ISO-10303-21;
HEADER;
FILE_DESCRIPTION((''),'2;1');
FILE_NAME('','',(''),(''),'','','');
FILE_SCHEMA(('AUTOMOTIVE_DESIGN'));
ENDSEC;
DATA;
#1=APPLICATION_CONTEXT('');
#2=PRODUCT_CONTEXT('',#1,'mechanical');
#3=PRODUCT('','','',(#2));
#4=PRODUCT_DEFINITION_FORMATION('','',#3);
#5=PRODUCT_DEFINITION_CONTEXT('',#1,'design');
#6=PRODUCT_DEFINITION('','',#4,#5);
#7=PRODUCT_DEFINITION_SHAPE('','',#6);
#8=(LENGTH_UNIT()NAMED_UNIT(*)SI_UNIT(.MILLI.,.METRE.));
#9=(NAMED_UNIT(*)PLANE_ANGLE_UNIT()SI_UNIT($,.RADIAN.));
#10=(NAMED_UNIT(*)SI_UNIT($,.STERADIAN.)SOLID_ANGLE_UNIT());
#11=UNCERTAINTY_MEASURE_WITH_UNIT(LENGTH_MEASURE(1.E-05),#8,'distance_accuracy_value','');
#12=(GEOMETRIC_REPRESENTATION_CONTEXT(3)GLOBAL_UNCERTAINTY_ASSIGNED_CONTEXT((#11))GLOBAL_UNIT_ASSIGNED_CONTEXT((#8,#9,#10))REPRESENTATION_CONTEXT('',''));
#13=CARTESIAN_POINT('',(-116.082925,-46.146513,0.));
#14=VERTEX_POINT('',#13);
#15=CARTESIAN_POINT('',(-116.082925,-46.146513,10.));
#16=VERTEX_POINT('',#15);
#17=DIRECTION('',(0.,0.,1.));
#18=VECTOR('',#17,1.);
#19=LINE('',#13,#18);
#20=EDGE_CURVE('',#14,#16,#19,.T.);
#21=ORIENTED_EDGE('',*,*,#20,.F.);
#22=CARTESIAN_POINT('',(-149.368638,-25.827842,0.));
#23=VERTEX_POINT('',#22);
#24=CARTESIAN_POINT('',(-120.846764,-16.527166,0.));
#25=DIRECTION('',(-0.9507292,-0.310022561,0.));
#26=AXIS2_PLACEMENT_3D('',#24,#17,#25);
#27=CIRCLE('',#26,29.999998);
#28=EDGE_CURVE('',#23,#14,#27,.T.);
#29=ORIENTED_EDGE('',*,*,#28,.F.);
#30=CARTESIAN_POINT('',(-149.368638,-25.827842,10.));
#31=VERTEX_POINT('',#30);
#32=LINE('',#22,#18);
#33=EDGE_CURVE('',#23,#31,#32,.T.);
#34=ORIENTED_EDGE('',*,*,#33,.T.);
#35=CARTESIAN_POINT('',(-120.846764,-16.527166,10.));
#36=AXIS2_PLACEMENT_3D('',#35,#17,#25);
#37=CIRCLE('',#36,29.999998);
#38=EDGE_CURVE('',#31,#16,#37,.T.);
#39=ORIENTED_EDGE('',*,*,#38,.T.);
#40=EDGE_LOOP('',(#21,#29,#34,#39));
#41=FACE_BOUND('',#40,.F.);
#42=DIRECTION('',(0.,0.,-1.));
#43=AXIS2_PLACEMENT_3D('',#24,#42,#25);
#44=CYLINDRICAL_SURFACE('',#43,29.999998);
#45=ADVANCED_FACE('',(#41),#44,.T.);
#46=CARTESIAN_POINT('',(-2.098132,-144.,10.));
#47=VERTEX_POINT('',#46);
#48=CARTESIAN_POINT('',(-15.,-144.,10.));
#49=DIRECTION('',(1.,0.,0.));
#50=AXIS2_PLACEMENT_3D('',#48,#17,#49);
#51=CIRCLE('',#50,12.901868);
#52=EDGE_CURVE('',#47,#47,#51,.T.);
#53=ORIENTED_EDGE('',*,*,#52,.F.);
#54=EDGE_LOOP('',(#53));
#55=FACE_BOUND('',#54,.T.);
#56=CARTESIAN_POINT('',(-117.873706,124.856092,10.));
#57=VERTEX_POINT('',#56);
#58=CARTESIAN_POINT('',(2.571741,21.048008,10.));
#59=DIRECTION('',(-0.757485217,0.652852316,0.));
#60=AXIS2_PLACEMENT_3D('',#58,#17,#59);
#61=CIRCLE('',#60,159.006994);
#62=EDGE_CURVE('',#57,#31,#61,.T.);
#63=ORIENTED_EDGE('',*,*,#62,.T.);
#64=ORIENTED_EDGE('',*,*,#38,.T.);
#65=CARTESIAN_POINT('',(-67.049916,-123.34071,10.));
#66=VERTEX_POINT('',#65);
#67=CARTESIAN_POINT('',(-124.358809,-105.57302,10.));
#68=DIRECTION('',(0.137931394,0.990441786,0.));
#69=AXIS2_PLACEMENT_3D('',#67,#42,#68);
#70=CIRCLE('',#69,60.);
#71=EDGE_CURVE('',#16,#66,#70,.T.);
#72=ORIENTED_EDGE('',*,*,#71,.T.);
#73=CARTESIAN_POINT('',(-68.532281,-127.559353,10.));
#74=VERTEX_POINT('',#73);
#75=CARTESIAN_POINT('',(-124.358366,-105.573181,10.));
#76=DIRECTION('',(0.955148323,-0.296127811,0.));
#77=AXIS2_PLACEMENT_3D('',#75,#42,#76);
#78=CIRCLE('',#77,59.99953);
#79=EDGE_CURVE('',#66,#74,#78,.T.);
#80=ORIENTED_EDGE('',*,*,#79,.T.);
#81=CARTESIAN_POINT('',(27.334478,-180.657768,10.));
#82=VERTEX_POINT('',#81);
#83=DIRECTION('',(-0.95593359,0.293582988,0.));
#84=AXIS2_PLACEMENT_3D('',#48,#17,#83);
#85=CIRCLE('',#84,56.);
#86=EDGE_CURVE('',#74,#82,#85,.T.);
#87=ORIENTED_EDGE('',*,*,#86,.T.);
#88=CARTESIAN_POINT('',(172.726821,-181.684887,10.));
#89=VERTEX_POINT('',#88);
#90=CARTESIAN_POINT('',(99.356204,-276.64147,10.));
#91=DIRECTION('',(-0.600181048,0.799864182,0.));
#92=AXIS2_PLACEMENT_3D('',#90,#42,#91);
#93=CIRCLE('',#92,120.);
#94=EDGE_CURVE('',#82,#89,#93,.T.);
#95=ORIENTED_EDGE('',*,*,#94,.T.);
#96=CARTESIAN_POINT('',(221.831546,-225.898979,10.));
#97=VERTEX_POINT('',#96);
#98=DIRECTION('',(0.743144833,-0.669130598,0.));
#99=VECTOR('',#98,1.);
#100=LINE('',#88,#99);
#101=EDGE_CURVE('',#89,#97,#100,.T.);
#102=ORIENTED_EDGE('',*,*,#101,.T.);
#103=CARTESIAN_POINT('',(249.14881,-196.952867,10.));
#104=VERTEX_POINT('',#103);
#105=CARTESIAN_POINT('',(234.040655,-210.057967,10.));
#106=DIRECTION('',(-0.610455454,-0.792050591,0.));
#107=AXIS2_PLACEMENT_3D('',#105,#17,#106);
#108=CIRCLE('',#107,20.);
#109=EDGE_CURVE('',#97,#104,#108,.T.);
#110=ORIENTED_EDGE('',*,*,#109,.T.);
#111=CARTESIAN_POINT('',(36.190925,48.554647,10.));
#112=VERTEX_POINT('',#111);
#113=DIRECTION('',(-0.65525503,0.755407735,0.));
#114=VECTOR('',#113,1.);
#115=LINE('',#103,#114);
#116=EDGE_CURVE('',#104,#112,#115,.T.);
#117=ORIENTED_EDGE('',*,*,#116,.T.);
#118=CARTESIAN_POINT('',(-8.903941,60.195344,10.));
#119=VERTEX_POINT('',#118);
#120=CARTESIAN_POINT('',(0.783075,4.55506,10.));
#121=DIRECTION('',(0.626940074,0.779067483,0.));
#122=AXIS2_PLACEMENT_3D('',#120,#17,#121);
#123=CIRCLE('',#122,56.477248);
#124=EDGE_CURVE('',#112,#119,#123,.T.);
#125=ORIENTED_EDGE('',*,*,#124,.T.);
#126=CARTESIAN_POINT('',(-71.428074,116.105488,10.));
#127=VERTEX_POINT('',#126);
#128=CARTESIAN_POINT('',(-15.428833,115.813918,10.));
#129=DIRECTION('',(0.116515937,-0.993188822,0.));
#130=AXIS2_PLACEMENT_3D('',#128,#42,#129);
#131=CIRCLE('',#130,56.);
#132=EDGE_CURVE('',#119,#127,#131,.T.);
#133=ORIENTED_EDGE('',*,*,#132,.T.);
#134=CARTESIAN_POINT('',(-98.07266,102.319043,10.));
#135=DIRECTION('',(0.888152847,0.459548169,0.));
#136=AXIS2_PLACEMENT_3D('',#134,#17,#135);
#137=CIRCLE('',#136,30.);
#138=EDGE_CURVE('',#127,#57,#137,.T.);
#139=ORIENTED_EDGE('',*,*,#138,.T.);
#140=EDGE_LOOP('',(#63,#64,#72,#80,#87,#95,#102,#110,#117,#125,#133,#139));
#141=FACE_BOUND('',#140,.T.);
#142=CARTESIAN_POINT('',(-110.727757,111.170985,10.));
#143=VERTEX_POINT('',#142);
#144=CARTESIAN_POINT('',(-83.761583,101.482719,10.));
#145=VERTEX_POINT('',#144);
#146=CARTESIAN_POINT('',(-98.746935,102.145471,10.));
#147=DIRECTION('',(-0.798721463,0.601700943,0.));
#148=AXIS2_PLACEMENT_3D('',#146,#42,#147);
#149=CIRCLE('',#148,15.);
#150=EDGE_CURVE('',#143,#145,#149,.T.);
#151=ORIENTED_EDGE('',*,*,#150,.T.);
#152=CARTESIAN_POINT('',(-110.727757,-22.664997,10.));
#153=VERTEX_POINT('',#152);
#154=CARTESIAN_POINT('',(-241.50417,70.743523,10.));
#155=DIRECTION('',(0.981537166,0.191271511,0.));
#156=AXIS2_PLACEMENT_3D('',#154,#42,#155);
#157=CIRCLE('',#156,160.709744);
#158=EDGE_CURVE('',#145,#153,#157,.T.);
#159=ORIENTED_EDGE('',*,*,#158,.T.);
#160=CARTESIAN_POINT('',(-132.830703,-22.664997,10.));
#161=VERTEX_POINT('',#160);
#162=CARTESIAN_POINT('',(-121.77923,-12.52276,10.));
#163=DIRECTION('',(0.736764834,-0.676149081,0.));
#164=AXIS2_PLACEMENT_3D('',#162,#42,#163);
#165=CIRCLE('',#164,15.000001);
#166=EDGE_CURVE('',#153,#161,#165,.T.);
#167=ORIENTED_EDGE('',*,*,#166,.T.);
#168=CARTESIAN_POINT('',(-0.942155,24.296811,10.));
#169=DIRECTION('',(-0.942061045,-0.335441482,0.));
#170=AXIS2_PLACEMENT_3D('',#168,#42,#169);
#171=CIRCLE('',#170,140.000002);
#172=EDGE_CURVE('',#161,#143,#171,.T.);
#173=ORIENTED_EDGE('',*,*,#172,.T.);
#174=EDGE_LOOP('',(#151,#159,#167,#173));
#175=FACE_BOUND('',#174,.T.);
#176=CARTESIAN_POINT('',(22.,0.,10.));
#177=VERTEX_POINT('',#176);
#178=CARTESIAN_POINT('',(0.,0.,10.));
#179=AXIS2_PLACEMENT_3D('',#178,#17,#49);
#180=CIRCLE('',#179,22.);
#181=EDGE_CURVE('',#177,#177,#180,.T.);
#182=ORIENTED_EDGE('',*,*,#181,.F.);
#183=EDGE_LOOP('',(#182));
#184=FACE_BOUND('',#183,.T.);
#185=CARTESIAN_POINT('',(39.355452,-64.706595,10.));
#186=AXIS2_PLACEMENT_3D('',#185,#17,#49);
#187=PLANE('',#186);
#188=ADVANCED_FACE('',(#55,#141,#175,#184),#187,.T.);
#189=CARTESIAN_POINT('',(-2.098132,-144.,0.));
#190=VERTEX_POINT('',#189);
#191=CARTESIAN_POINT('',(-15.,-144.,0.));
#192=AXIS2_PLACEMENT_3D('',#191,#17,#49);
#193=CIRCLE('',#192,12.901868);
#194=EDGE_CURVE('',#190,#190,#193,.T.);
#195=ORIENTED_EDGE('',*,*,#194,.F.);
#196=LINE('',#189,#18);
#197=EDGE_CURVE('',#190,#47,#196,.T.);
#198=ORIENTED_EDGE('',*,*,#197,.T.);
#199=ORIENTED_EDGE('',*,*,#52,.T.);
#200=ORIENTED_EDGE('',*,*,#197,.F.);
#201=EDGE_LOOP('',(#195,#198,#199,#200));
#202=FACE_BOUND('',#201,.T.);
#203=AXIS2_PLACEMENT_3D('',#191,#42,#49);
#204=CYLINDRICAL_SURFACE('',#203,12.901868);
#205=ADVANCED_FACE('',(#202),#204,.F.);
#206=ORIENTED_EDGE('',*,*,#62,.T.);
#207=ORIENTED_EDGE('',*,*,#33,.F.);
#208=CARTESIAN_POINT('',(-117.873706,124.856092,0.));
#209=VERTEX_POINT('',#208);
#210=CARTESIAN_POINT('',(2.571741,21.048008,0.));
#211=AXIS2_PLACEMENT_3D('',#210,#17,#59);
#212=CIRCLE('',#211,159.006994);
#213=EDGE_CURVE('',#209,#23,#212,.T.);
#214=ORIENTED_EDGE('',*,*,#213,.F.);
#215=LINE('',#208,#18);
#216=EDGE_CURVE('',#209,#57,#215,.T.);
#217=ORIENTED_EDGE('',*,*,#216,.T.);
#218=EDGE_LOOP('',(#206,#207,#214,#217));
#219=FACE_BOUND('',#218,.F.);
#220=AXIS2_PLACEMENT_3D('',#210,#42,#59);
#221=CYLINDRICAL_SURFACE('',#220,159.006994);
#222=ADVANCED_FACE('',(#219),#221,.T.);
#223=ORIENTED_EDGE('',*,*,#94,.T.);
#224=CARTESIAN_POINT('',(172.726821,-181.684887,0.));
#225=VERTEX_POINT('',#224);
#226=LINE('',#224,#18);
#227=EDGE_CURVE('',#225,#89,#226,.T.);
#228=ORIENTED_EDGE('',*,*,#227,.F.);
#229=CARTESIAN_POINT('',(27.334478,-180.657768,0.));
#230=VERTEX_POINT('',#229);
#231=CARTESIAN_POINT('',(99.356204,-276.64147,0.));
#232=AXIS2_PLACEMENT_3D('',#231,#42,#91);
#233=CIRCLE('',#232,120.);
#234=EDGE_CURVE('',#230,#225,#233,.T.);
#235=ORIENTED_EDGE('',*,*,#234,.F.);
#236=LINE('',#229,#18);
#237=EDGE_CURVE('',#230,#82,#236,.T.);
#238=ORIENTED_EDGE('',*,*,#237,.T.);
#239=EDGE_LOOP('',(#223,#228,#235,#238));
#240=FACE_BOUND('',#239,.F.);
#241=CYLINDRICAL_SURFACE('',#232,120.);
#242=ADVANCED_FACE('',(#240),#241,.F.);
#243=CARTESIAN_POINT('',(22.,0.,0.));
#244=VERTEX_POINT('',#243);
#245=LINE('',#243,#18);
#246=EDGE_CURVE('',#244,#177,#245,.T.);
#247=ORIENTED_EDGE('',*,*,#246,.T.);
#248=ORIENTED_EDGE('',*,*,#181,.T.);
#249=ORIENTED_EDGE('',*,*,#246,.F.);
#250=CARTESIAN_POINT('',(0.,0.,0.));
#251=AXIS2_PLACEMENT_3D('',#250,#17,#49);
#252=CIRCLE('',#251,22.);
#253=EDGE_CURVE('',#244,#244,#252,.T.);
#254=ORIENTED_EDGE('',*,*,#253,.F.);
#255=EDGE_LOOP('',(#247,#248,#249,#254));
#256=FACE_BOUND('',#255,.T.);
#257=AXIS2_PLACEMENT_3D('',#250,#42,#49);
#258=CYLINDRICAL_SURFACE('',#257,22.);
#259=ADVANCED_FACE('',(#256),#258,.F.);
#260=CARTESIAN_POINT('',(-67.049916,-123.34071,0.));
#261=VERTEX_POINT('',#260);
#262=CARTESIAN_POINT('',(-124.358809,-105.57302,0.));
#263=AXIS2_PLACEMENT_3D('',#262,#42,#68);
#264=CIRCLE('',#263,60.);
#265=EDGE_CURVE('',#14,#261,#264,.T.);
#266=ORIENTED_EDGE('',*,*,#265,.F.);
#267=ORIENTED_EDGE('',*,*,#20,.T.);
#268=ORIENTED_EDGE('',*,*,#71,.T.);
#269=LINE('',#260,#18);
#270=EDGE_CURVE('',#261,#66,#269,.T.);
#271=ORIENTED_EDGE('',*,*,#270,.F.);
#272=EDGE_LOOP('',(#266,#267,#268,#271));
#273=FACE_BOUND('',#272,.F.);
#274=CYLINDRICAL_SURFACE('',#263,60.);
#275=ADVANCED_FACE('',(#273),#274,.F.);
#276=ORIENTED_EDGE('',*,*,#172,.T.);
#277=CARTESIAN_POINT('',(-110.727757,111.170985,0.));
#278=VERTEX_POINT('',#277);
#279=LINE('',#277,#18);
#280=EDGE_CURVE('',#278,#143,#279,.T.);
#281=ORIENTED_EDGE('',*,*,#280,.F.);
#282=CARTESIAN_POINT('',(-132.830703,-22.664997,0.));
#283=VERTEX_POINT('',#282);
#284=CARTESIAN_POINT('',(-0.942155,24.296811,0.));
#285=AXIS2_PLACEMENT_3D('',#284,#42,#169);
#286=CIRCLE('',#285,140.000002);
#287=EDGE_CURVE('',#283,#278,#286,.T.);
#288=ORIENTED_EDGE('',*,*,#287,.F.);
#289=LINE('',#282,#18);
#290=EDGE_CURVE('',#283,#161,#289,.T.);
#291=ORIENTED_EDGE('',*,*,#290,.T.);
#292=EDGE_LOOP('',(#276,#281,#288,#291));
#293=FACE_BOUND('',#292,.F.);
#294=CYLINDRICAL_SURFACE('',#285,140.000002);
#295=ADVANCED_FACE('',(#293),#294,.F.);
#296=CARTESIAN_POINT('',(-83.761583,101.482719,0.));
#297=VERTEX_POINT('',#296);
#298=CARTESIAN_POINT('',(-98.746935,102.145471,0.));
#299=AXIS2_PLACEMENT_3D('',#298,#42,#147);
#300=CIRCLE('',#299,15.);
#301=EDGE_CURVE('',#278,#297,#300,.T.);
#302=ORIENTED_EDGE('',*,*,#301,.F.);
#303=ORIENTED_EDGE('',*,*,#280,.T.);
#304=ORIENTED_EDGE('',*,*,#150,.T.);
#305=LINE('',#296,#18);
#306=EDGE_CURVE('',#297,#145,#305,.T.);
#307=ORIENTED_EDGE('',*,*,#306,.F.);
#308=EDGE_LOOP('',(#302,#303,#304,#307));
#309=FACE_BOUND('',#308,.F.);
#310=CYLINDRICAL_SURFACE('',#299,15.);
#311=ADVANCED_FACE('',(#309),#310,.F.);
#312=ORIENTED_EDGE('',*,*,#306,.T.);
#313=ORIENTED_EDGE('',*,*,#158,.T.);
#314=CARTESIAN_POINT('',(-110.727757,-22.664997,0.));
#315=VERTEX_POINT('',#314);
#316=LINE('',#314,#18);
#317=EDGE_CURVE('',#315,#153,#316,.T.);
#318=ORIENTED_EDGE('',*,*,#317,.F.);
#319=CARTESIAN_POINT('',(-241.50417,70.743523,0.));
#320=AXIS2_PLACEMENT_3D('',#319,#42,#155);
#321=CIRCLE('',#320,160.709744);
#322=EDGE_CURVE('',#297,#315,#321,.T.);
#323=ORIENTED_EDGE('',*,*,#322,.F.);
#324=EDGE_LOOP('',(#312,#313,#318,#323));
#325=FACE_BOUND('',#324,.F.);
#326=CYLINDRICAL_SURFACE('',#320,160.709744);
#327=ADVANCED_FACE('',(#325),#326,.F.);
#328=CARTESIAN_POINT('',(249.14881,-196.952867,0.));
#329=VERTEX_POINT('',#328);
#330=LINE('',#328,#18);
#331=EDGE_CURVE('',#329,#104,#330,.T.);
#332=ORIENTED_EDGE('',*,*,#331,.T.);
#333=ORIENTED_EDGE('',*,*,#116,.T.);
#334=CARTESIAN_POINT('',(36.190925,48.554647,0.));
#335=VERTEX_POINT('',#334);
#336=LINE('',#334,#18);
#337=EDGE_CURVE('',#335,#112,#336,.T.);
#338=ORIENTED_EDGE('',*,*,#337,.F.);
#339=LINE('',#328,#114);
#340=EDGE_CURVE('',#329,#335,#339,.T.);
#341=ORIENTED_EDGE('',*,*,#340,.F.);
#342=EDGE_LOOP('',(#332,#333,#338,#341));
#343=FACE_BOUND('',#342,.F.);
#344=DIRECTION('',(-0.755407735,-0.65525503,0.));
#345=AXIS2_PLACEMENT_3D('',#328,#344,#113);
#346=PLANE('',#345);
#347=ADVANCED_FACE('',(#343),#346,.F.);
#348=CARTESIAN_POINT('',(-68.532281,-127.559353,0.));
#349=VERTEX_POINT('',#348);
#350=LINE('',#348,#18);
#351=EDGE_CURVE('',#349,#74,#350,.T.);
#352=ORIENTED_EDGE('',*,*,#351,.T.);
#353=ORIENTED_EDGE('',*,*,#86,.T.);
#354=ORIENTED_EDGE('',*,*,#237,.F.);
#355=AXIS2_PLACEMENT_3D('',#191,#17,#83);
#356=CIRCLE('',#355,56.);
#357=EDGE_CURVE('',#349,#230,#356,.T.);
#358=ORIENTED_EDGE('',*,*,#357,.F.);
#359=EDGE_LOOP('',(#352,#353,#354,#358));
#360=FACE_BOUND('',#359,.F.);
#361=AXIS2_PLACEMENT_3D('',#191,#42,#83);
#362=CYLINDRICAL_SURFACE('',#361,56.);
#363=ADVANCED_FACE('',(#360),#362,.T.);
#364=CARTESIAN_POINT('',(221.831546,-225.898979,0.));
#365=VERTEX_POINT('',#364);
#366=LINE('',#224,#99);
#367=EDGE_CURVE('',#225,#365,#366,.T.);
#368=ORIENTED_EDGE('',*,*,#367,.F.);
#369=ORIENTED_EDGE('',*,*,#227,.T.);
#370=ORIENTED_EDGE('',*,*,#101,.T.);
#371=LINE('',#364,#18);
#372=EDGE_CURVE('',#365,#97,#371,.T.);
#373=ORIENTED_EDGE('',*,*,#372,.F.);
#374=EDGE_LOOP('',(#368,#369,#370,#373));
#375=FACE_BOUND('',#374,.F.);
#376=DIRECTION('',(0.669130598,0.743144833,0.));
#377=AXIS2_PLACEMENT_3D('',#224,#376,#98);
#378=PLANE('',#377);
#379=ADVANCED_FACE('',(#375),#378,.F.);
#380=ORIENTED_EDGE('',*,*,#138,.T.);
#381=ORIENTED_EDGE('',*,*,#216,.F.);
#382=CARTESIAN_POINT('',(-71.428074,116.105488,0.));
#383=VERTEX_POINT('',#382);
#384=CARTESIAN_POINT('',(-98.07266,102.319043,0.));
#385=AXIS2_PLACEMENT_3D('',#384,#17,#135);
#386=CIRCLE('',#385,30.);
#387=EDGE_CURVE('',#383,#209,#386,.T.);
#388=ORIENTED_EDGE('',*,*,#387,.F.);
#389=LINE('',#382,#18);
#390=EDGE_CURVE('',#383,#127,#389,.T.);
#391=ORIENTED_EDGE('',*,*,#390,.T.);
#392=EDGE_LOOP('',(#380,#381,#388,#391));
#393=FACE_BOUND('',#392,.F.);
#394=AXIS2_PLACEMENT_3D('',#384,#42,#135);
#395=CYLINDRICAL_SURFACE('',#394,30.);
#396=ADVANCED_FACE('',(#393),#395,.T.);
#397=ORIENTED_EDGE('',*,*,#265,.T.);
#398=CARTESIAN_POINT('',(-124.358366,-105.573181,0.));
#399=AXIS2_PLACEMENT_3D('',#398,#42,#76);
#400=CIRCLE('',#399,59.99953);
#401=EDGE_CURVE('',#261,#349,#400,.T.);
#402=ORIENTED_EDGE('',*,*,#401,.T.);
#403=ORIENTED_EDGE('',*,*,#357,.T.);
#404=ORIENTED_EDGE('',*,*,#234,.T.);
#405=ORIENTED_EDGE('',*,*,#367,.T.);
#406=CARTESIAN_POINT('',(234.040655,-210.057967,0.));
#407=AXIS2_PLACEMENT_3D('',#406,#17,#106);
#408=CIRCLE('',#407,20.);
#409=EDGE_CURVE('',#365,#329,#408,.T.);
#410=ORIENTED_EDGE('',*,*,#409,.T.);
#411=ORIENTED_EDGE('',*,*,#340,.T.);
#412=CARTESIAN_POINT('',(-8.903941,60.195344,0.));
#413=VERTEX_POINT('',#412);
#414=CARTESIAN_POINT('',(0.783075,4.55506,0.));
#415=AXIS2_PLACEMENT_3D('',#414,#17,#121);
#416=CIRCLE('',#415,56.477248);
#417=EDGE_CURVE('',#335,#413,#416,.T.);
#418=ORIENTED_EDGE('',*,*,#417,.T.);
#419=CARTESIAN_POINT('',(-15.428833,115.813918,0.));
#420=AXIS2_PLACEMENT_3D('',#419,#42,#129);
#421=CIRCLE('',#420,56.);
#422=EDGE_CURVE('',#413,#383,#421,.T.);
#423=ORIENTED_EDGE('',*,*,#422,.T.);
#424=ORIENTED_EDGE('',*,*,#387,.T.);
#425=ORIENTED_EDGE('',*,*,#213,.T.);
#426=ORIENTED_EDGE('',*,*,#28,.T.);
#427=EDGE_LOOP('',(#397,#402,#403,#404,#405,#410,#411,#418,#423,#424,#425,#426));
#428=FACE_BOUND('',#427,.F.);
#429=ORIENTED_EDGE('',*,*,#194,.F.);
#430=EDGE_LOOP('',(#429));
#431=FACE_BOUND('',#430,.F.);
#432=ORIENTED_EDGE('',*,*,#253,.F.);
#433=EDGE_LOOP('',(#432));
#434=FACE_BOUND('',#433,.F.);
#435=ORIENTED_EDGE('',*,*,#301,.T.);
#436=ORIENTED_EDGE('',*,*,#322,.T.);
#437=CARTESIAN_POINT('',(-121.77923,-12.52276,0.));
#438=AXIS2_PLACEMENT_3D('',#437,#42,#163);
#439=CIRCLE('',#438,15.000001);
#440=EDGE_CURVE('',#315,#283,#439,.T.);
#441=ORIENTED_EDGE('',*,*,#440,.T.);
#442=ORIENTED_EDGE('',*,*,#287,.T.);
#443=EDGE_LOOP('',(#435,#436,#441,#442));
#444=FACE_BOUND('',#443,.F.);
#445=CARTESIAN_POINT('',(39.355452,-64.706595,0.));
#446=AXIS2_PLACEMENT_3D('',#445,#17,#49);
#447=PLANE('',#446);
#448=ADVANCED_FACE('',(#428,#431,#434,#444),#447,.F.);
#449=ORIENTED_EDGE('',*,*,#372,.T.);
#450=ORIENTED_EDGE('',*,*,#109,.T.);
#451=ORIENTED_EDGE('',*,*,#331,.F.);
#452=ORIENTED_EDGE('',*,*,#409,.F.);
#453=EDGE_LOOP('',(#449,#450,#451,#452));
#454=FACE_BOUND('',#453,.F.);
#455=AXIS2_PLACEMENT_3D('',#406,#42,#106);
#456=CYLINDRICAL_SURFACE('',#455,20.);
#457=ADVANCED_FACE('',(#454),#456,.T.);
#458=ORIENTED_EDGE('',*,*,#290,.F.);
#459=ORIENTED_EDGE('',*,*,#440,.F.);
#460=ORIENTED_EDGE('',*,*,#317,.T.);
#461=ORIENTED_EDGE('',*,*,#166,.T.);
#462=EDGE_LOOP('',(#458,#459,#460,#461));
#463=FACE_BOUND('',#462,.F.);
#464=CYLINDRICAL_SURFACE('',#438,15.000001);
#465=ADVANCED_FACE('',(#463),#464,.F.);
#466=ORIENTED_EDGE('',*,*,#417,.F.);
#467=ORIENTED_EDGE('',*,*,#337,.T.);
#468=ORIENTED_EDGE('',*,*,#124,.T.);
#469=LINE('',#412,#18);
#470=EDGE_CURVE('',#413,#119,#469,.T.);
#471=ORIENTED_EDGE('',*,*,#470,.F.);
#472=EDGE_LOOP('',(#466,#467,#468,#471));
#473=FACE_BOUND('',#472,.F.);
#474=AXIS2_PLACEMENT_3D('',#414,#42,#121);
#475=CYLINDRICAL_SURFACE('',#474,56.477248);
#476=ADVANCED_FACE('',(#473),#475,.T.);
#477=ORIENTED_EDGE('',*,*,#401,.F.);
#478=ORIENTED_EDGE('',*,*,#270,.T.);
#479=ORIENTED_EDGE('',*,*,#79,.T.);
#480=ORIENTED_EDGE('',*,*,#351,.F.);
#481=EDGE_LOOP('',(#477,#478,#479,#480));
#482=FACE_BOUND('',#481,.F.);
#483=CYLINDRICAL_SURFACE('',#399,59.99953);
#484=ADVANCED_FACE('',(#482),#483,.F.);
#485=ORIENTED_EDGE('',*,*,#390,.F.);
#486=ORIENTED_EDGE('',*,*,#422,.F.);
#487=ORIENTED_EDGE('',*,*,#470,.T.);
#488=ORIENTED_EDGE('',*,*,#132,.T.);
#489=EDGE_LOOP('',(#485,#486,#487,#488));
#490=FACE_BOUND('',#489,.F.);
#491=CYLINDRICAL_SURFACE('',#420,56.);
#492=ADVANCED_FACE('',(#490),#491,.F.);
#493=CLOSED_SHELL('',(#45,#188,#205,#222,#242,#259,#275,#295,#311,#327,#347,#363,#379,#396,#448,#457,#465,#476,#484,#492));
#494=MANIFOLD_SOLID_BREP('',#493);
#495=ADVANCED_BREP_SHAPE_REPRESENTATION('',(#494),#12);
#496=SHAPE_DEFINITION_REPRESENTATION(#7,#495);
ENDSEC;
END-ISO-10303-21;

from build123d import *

# Parameters (mm, degrees)
F0_R     = 42
F0_R_2   = 22
F0_R_3   = 12.901868
F1_DEPTH = 10


with BuildPart() as f1:
    # F0 (on Top) → F1 (new body)
    with BuildSketch(Plane.XY):
        with BuildLine():
            ThreePointArc((41, -144), (37.47252, -163.561048), (27.334478, -180.657768))
            ThreePointArc((27.334478, -180.657768), (100.203919, -156.644464), (172.726821, -181.684887))
            Line((172.726821, -181.684887), (140.923761, -153.049283))
            ThreePointArc((140.923761, -153.049283), (140.263921, -125.028677), (168.268095, -123.864214))
            Line((168.268095, -123.864214), (249.14881, -196.952867))
            Line((249.14881, -196.952867), (36.190925, 48.554647))
            ThreePointArc((36.190925, 48.554647), (14.899264, 59.239726), (-8.903941, 60.195344))
            ThreePointArc((-8.903941, 60.195344), (-52.757292, 74.069623), (-71.428074, 116.105488))
            ThreePointArc((-71.428074, 116.105488), (-92.518222, 131.800363), (-117.873706, 124.856092))
            ThreePointArc((-117.873706, 124.856092), (-153.071831, 53.57957), (-149.368638, -25.827842))
            ThreePointArc((-149.368638, -25.827842), (-136.477604, -42.133351), (-116.082925, -46.146513))
            ThreePointArc((-116.082925, -46.146513), (-73.712222, -73.402797), (-67.049916, -123.34071))
            ThreePointArc((-67.049916, -123.34071), (-4.483234, -88.996385), (41, -144))
        make_face()
        Circle(F0_R, mode=Mode.SUBTRACT)
        with BuildLine():
            ThreePointArc((-132.830703, -22.664997), (-139.071139, 47.108744), (-110.727757, 111.170985))
            ThreePointArc((-110.727757, 111.170985), (-93.675207, 116.262042), (-83.761583, 101.482719))
            ThreePointArc((-83.761583, 101.482719), (-84.456511, 36.63114), (-110.727757, -22.664997))
            ThreePointArc((-110.727757, -22.664997), (-121.77923, -27.522761), (-132.830703, -22.664997))
        make_face(mode=Mode.SUBTRACT)
        Circle(F0_R)
        Circle(F0_R_2, mode=Mode.SUBTRACT)
        with BuildLine():
            ThreePointArc((-67.049916, -123.34071), (-67.751785, -125.463845), (-68.532281, -127.559353))
            ThreePointArc((-68.532281, -127.559353), (-42.133155, -192.987671), (27.334478, -180.657768))
            ThreePointArc((27.334478, -180.657768), (37.47252, -163.561048), (41, -144))
            ThreePointArc((41, -144), (-4.483234, -88.996385), (-67.049916, -123.34071))
        make_face()
        with Locations((-15, -144)):
            Circle(F0_R_3, mode=Mode.SUBTRACT)
        with BuildLine():
            Line((140.923761, -153.049283), (172.726821, -181.684887))
            Line((172.726821, -181.684887), (221.831546, -225.898979))
            ThreePointArc((221.831546, -225.898979), (248.586117, -223.784931), (249.14881, -196.952867))
            Line((249.14881, -196.952867), (168.268095, -123.864214))
            ThreePointArc((168.268095, -123.864214), (140.263921, -125.028677), (140.923761, -153.049283))
        make_face()
    extrude(amount=F1_DEPTH)


solid = f1.part
